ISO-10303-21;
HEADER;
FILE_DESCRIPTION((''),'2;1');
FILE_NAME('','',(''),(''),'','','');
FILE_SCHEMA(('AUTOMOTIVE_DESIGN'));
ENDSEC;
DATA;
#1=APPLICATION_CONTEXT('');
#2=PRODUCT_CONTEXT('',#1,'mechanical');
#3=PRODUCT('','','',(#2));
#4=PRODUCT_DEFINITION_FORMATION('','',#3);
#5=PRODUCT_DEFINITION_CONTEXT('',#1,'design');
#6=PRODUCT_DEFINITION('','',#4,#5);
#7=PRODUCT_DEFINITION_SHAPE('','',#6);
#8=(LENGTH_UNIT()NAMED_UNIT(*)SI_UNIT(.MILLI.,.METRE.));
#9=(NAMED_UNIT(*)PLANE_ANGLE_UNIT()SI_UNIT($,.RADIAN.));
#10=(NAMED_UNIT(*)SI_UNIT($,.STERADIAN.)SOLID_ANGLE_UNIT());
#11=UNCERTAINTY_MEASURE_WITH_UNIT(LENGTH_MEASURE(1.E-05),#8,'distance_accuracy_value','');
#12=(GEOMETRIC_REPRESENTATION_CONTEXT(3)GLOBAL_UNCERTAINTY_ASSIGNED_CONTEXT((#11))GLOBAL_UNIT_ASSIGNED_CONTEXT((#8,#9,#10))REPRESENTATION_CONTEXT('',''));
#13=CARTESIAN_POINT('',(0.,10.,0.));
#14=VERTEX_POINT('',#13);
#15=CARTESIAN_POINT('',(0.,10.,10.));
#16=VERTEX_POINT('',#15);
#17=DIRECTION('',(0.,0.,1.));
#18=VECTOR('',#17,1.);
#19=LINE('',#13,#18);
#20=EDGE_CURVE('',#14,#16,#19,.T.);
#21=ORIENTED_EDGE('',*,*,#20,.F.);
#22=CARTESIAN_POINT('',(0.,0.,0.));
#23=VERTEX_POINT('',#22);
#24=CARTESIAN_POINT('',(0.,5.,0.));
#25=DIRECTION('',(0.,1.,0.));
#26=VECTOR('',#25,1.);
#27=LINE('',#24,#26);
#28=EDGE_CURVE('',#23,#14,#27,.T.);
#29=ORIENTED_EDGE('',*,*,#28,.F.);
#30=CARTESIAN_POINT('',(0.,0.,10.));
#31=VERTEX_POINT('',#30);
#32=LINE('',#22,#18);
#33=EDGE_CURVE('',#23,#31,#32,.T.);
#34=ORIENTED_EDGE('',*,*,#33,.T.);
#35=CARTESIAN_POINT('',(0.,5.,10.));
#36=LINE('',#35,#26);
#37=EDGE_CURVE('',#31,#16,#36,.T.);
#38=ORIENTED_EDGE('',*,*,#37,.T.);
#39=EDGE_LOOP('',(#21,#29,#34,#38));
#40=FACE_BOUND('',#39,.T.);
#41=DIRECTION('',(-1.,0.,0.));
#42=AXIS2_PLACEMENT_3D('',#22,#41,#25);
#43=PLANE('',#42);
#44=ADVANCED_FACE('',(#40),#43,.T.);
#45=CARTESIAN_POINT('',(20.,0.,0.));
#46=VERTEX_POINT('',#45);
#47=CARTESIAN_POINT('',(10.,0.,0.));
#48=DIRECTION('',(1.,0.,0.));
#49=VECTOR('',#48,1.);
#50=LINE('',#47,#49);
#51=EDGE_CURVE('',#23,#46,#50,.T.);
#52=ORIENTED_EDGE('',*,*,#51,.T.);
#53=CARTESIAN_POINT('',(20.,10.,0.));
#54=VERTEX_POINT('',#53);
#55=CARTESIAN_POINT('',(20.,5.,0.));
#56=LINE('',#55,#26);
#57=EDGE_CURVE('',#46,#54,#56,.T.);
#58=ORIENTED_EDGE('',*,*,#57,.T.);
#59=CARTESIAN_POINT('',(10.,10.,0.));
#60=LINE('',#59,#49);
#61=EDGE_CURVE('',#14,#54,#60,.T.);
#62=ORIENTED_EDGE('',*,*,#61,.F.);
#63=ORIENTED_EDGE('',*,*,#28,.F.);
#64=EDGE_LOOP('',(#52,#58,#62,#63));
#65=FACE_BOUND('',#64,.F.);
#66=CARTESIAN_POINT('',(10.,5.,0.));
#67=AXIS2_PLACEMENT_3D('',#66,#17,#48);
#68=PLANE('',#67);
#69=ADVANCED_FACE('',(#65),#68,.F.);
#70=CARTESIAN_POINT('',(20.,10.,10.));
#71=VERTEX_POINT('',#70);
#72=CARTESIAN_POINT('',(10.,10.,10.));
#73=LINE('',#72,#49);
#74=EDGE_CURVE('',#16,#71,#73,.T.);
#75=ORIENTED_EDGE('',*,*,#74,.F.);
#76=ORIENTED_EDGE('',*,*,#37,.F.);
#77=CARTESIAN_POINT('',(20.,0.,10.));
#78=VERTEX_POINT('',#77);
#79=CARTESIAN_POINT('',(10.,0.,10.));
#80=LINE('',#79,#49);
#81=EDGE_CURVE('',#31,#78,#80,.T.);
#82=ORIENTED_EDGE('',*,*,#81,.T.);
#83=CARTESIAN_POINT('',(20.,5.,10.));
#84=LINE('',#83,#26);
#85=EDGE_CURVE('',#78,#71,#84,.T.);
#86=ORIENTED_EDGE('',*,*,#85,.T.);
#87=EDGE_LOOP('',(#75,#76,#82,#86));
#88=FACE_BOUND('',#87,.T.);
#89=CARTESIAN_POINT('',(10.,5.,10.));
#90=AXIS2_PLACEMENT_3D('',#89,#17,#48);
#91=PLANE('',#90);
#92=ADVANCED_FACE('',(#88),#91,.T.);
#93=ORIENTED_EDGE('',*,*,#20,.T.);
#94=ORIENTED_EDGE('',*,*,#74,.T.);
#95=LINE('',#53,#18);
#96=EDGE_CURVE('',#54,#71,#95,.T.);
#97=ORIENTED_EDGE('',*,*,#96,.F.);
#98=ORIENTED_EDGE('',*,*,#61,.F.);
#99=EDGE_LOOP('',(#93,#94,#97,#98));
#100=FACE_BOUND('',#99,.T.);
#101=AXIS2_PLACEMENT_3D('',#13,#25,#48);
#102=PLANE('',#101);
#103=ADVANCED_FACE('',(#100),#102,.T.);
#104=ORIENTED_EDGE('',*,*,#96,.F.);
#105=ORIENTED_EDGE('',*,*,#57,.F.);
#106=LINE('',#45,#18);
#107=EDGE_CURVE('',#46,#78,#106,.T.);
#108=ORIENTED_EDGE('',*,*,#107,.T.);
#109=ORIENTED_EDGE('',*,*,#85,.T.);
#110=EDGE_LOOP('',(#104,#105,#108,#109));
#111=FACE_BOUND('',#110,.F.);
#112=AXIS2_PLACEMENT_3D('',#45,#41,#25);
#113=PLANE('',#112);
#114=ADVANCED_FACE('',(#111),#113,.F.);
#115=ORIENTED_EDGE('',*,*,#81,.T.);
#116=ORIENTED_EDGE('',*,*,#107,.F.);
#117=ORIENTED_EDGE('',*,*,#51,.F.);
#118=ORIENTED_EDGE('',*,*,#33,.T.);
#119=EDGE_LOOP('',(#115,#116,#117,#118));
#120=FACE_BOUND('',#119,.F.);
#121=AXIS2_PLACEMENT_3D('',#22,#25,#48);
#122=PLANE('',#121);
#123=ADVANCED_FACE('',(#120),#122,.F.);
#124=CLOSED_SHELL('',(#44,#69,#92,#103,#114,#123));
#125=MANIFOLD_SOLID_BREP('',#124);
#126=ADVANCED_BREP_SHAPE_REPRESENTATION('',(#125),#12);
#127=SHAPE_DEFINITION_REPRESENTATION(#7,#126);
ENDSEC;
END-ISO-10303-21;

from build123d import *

# Parameters (mm, degrees)
BOX_W     = 20
BOX_H     = 10
BOX_DEPTH = 10


with BuildPart() as part:
    # Box → Box (new body)
    with BuildSketch(Plane.XY):
        with Locations((10, 5)):
            Rectangle(BOX_W, BOX_H)
    extrude(amount=BOX_DEPTH)


solid = part.part
